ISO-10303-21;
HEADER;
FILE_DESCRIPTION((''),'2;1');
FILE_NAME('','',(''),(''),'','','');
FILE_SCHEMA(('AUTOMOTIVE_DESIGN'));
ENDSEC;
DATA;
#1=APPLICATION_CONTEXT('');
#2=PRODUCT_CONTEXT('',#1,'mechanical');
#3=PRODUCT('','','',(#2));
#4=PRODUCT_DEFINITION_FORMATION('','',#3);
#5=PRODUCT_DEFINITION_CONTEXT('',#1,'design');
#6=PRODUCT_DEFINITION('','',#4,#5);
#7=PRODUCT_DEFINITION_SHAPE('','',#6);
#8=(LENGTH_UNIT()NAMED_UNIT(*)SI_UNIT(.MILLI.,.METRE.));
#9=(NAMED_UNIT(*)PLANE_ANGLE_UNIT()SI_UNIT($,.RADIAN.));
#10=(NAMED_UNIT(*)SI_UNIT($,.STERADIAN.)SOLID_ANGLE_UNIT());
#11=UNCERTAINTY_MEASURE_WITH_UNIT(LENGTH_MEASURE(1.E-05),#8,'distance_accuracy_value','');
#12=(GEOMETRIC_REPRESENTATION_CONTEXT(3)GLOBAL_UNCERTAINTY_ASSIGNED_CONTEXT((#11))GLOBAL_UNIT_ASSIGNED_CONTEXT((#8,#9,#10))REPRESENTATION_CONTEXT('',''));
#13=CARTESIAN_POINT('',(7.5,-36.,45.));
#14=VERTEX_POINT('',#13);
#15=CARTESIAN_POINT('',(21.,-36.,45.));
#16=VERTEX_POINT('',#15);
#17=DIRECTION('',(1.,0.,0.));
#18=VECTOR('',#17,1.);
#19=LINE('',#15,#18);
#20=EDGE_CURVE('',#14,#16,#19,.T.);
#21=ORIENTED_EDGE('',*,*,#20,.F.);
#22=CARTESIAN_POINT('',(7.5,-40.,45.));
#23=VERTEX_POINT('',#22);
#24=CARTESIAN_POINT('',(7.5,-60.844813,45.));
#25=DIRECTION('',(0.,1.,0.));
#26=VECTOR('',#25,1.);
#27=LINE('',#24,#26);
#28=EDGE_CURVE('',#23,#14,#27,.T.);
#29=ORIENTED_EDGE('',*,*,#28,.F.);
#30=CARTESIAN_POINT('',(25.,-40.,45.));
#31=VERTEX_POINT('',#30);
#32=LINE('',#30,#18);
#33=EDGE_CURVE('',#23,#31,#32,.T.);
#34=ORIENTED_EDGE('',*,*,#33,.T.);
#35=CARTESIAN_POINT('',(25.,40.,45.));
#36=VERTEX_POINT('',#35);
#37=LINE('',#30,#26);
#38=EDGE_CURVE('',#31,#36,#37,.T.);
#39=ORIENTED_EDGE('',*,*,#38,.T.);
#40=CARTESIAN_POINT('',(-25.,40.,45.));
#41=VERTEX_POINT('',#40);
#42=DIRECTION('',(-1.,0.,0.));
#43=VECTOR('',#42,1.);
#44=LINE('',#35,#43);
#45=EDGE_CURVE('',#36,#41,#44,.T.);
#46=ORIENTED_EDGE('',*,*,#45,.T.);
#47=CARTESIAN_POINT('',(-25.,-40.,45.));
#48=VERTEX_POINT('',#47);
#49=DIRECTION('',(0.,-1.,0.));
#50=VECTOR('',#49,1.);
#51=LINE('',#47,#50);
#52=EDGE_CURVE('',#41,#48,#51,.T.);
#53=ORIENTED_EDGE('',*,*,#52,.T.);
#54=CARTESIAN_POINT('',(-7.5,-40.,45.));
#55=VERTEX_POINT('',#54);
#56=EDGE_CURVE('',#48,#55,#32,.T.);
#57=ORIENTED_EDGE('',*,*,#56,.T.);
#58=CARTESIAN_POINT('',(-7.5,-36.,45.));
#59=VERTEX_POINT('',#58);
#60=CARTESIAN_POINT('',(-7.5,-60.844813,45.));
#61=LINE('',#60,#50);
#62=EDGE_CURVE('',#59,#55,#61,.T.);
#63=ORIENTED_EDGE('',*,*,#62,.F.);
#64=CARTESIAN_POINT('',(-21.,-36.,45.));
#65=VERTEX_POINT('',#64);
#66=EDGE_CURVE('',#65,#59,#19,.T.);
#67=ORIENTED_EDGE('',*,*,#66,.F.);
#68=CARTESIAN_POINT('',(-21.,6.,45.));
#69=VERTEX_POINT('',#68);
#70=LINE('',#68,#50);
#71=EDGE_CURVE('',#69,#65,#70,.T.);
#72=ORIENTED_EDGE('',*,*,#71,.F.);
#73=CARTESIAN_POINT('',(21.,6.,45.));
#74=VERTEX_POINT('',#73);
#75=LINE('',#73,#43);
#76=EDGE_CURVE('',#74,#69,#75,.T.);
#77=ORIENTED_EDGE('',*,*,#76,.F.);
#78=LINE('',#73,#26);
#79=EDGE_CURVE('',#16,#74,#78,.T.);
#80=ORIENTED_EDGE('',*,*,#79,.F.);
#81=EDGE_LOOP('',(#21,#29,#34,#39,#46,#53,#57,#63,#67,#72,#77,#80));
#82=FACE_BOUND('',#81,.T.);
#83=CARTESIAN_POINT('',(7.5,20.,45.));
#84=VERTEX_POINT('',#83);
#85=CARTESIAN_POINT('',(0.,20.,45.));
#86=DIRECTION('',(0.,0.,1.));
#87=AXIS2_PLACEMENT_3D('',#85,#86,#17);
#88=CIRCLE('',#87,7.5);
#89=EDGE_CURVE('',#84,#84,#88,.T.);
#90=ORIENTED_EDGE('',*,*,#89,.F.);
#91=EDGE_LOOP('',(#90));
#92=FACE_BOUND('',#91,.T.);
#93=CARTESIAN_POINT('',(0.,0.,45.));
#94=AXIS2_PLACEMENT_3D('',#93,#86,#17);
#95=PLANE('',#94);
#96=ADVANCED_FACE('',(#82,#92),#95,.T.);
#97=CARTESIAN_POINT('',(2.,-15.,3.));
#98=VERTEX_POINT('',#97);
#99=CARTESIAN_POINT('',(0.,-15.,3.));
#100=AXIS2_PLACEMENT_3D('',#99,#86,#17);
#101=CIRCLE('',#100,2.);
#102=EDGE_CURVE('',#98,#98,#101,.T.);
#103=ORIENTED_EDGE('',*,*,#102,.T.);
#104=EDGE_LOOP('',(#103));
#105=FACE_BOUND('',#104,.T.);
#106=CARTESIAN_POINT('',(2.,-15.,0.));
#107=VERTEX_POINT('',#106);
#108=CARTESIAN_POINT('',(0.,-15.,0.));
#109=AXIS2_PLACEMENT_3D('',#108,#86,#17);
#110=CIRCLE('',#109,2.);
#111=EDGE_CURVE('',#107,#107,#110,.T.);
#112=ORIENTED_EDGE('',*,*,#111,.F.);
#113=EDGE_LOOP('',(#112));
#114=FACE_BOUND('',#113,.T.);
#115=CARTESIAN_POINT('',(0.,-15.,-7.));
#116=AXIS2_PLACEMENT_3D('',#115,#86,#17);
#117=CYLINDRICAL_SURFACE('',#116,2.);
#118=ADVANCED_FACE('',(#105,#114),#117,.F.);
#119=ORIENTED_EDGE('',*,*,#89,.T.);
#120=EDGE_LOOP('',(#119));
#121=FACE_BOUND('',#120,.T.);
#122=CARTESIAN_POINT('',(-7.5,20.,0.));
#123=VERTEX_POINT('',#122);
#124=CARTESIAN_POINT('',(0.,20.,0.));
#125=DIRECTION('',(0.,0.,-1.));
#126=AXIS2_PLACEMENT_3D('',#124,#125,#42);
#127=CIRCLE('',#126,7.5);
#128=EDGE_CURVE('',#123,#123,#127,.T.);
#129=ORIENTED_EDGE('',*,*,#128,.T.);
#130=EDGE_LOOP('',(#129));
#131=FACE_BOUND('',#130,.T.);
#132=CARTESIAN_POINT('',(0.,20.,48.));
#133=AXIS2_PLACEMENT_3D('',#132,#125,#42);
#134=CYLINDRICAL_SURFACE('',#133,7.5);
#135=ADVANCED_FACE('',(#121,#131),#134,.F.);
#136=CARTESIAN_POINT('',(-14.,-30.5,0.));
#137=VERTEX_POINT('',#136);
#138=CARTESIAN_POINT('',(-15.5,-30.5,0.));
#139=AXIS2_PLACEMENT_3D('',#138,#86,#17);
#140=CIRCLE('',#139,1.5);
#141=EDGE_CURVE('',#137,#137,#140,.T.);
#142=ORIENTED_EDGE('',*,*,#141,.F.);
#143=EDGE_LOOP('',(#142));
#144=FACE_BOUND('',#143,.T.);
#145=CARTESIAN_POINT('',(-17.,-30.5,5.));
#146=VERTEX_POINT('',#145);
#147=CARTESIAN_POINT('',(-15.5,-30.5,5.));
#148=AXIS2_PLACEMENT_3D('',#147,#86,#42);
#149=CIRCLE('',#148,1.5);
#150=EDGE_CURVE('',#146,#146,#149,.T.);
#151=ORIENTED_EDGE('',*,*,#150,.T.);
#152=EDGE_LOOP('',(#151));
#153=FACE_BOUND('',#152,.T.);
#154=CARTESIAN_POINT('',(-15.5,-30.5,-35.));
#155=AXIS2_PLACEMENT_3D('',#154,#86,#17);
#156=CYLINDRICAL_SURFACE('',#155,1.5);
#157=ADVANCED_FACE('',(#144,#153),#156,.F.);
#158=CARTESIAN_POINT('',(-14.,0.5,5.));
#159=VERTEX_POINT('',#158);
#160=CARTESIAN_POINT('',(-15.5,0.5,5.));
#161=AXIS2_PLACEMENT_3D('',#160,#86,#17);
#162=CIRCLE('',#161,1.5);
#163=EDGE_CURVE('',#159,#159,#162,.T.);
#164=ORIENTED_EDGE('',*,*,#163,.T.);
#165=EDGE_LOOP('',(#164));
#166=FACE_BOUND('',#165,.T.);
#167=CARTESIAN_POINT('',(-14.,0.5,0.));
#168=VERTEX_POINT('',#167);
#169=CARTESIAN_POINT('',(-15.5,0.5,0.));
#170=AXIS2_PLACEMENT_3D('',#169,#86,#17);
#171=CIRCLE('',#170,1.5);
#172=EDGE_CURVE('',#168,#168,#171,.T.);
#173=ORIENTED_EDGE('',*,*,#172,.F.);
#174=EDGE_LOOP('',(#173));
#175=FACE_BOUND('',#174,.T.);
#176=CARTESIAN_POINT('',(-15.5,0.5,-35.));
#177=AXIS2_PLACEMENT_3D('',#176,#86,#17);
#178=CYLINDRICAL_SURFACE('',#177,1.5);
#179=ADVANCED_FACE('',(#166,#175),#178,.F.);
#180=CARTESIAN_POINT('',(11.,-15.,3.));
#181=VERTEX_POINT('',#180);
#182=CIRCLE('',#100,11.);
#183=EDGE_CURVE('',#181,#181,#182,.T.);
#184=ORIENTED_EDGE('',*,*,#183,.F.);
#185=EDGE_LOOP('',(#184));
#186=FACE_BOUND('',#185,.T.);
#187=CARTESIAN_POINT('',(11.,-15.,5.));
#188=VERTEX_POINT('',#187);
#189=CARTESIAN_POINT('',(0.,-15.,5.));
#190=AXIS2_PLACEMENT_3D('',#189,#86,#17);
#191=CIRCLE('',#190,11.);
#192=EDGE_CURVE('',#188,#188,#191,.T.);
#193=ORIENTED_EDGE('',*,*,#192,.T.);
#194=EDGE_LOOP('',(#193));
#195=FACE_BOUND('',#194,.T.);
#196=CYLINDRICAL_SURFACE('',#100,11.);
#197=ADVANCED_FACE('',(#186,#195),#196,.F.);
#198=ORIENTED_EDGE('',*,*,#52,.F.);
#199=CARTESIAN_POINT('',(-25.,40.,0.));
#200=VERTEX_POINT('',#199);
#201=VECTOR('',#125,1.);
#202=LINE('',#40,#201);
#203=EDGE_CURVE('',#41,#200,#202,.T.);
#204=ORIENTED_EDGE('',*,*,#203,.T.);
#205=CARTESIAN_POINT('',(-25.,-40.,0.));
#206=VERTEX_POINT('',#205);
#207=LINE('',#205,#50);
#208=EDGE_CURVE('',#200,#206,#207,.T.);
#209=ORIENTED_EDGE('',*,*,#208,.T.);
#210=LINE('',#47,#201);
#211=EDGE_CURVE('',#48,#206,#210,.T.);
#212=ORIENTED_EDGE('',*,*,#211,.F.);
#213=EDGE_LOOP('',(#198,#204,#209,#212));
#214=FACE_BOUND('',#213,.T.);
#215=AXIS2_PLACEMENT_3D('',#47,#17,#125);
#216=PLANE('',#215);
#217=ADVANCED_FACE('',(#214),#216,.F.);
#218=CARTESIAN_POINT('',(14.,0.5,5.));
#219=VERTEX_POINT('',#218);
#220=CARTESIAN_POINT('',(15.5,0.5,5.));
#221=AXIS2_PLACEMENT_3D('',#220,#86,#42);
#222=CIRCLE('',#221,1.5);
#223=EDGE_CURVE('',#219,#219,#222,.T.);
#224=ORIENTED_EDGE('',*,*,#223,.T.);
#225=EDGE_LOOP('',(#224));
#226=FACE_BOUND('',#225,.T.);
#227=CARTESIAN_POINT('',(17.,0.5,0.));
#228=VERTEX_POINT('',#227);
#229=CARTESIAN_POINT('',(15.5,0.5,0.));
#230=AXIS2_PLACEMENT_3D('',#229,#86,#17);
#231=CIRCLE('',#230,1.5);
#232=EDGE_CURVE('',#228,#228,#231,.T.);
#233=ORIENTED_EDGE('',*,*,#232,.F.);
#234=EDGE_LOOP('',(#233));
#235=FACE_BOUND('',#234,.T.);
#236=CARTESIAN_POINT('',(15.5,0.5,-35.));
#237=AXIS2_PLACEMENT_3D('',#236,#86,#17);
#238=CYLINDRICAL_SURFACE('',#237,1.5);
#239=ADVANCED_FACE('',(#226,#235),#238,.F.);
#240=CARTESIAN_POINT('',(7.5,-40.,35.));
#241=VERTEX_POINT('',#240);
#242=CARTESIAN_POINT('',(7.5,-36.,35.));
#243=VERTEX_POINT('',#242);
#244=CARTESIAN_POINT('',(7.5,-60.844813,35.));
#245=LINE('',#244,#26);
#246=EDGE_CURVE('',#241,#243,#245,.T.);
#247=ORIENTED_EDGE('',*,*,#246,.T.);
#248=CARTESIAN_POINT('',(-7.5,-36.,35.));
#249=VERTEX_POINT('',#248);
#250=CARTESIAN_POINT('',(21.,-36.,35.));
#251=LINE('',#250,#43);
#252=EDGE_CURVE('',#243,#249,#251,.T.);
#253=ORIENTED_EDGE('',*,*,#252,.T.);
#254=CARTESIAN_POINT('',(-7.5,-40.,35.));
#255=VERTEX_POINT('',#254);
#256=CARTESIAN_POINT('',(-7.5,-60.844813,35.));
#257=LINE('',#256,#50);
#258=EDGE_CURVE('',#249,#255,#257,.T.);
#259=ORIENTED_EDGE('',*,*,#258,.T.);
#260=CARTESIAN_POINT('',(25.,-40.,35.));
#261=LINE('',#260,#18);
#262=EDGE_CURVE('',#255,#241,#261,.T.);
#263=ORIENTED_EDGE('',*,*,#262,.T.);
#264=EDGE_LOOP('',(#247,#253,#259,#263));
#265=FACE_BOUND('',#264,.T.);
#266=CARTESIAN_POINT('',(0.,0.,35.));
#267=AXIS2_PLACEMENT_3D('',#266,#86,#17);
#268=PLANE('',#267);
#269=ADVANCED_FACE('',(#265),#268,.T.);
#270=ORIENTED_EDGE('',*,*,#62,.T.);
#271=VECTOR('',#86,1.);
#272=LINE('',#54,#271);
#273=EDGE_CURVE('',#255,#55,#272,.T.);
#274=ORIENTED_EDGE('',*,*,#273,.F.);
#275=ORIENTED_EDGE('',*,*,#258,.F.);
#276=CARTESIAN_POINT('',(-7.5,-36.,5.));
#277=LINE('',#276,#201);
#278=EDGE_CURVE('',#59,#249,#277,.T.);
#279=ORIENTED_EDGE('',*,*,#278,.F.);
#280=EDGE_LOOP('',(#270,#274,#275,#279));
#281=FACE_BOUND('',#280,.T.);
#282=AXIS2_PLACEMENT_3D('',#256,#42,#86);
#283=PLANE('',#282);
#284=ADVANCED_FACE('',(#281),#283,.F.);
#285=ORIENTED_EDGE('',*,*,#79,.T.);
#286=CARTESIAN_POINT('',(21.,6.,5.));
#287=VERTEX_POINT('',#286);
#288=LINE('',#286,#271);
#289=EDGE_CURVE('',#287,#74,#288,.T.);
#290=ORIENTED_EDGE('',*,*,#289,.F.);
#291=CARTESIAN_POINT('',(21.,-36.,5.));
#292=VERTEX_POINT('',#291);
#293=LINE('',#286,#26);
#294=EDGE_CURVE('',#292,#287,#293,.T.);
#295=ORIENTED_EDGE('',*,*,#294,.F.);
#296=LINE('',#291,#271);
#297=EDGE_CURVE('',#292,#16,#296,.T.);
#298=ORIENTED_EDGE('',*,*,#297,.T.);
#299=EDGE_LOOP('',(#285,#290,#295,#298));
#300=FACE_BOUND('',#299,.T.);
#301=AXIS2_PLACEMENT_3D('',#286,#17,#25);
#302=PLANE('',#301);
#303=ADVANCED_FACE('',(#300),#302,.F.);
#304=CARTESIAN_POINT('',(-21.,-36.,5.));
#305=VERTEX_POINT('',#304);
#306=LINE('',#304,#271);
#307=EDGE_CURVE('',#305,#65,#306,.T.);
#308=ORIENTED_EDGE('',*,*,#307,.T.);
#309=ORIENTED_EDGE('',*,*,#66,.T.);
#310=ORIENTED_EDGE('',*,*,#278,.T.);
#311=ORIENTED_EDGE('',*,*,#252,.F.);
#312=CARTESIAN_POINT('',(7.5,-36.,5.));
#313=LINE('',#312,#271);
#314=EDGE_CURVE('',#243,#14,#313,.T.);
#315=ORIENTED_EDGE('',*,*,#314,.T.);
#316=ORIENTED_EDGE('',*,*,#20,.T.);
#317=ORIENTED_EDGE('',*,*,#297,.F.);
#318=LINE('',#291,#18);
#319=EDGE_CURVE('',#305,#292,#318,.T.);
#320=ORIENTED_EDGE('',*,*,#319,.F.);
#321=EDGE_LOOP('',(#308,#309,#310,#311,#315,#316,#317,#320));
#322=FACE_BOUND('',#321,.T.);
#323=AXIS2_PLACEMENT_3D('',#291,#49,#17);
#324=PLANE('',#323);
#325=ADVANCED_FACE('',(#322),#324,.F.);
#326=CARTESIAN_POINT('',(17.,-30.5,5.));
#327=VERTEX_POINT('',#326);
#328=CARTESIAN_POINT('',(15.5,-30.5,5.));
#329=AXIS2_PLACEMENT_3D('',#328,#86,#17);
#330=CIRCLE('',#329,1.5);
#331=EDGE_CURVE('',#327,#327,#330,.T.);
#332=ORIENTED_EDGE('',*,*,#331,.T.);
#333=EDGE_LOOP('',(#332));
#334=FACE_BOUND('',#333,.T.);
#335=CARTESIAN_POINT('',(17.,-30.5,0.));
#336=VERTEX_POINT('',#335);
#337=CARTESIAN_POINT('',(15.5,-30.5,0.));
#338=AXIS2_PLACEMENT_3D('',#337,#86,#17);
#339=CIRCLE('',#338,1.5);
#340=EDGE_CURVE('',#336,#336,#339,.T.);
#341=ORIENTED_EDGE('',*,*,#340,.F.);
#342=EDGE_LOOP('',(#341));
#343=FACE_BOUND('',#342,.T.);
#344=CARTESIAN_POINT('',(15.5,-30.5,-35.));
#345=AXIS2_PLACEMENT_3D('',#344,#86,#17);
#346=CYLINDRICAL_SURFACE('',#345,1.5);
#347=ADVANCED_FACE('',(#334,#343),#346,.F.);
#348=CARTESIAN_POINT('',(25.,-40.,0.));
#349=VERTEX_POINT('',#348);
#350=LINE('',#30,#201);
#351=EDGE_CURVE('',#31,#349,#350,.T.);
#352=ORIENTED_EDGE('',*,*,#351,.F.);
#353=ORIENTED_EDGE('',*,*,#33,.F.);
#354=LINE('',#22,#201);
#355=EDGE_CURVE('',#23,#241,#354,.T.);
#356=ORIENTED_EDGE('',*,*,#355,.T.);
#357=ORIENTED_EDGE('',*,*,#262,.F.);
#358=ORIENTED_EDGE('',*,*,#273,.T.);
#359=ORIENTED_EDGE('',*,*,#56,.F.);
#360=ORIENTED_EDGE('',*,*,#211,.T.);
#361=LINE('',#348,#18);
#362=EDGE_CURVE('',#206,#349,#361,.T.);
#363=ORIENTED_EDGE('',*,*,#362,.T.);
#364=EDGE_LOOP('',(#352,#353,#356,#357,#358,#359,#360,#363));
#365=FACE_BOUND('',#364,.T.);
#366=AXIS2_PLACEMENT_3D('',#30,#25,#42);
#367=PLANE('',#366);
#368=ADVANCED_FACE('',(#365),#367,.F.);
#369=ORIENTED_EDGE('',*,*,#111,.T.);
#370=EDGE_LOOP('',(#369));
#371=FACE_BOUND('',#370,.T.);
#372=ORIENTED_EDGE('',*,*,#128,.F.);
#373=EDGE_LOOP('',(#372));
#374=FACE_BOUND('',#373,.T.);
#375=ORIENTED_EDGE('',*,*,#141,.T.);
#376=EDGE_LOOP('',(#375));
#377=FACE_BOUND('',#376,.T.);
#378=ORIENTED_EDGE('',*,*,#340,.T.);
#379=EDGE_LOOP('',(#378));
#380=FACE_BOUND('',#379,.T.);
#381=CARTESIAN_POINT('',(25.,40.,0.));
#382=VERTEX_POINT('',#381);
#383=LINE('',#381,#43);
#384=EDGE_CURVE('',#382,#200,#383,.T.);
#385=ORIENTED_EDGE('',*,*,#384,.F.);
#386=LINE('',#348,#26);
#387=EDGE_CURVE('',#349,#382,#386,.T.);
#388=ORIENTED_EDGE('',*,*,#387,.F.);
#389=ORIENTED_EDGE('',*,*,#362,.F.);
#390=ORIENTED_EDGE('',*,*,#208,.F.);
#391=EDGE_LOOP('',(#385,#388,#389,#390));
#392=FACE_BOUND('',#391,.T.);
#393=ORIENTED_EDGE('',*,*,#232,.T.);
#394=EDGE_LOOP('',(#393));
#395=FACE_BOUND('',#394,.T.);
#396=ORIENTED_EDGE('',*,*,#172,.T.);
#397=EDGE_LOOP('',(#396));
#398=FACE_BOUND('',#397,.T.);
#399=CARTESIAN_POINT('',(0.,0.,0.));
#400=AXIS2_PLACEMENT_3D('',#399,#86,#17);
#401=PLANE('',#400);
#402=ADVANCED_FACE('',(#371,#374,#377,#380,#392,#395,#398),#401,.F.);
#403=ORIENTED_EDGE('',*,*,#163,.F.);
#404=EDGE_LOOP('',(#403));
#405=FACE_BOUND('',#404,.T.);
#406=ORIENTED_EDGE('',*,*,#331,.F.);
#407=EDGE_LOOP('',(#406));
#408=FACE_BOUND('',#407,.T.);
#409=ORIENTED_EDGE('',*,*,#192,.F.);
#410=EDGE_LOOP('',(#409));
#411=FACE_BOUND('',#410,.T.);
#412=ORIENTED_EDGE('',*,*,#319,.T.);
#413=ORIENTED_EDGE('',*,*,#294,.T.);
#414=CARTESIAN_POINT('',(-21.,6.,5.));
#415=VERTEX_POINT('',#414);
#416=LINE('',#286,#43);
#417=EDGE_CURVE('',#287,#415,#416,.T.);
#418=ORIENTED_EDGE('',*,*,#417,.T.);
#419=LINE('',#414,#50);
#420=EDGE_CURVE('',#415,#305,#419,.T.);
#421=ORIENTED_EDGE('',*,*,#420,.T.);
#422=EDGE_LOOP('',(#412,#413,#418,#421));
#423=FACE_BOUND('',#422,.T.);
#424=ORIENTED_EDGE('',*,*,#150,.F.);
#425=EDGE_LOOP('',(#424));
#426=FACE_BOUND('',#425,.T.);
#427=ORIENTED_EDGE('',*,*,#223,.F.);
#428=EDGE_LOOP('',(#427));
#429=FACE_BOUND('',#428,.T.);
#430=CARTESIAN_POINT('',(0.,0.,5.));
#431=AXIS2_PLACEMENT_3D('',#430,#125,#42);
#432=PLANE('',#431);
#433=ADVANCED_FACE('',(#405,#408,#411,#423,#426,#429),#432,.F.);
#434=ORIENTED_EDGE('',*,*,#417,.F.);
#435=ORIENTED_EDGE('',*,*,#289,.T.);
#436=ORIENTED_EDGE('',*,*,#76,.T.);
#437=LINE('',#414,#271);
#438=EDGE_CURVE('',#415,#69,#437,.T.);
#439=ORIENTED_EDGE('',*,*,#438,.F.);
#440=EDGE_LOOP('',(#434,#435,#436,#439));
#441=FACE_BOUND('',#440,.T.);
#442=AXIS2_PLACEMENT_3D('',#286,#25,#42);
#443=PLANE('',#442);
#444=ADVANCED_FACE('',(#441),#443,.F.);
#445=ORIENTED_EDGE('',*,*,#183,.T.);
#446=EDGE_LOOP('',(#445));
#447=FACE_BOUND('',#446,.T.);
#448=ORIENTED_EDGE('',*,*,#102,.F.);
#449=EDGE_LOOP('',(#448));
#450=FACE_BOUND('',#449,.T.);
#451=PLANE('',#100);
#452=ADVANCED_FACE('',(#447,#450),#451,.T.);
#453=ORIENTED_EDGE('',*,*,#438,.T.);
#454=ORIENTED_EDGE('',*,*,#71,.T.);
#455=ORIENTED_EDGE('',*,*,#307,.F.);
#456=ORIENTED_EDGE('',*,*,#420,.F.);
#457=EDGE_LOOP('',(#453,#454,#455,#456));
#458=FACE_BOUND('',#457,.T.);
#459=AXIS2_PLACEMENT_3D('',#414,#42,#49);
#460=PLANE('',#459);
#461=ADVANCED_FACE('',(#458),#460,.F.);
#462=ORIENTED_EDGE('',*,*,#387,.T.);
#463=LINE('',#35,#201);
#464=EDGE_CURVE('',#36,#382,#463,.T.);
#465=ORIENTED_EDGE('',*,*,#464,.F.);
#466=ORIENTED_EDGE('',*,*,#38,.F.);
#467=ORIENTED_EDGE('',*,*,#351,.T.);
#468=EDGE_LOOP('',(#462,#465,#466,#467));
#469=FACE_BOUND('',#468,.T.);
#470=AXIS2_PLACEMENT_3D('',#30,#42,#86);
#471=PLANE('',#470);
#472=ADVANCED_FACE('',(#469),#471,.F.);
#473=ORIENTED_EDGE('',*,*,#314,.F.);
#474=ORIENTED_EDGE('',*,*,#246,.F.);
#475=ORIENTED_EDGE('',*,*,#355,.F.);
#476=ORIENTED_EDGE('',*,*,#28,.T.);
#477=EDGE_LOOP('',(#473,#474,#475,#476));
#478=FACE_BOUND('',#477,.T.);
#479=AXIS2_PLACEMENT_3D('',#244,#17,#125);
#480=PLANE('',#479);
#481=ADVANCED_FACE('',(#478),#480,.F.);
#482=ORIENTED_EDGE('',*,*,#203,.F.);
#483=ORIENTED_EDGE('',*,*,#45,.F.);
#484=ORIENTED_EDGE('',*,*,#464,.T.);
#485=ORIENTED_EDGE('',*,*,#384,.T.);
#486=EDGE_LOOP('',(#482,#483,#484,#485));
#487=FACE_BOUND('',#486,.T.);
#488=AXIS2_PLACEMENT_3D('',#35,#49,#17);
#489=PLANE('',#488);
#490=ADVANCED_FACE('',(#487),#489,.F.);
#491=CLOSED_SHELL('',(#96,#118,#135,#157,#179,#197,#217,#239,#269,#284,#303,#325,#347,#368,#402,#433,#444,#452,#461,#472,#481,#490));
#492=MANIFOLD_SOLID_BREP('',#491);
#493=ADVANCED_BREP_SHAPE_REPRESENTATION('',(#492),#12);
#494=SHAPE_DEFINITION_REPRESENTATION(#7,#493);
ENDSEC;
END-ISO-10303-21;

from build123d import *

# Parameters (mm, degrees)
SKETCH1_W           = 50
SKETCH1_H           = 80
BOSS_EXTRUDE1_DEPTH = 45
SKETCH5_W           = 42
SKETCH5_H           = 42
CUT_EXTRUDE1_DEPTH  = 40
SKETCH6_R           = 1.5
CUT_EXTRUDE2_DEPTH  = 40
SKETCH7_W           = 15
SKETCH7_H           = 41.689626702
CUT_EXTRUDE3_DEPTH  = 10
SKETCH8_R           = 11
CUT_EXTRUDE4_DEPTH  = 2
SKETCH9_R           = 2
CUT_EXTRUDE5_DEPTH  = 10
SKETCH2_R           = 2.5
CUT_EXTRUDE6_DEPTH  = 10
SKETCH10_R          = 7.5
CUT_EXTRUDE7_DEPTH  = 48


with BuildPart() as part:
    # Sketch1 → Boss-Extrude1 (new body)
    with BuildSketch(Plane.XY):
        Rectangle(SKETCH1_W, SKETCH1_H)
    extrude(amount=BOSS_EXTRUDE1_DEPTH)

    # Sketch5 → Cut-Extrude1 (cut)
    with BuildSketch(Plane.XY.offset(45)):
        with Locations((0, -15)):
            Rectangle(SKETCH5_W, SKETCH5_H)
    extrude(amount=-CUT_EXTRUDE1_DEPTH, mode=Mode.SUBTRACT)

    # Sketch6 → Cut-Extrude2 (cut)
    with BuildSketch(Plane.XY.offset(5)):
        with Locations((15.5, -30.5)):
            Circle(SKETCH6_R)
        with Locations((15.5, 0.5)):
            Circle(SKETCH6_R)
        with Locations((-15.5, -30.5)):
            Circle(SKETCH6_R)
        with Locations((-15.5, 0.5)):
            Circle(SKETCH6_R)
    extrude(amount=-CUT_EXTRUDE2_DEPTH, mode=Mode.SUBTRACT)

    # Sketch7 → Cut-Extrude3 (cut)
    with BuildSketch(Plane.XY.offset(45)):
        with Locations((0, -40)):
            Rectangle(SKETCH7_W, SKETCH7_H)
    extrude(amount=-CUT_EXTRUDE3_DEPTH, mode=Mode.SUBTRACT)

    # Sketch8 → Cut-Extrude4 (cut)
    with BuildSketch(Plane.XY.offset(5)):
        with Locations((0, -15)):
            Circle(SKETCH8_R)
    extrude(amount=-CUT_EXTRUDE4_DEPTH, mode=Mode.SUBTRACT)

    # Sketch9 → Cut-Extrude5 (cut)
    with BuildSketch(Plane.XY.offset(3)):
        with Locations((0, -15)):
            Circle(SKETCH9_R)
    extrude(amount=-CUT_EXTRUDE5_DEPTH, mode=Mode.SUBTRACT)

    # Sketch2 → Cut-Extrude6 (cut)
    with BuildSketch(Plane(origin=(0, 0, 0), x_dir=(-1, 0, 0), z_dir=(0, 0, -1))):
        with Locations((0, 20)):
            Circle(SKETCH2_R)
    extrude(amount=-CUT_EXTRUDE6_DEPTH, mode=Mode.SUBTRACT)

    # Sketch10 → Cut-Extrude7 (cut)
    with BuildSketch(Plane(origin=(0, 0, 0), x_dir=(-1, 0, 0), z_dir=(0, 0, -1))):
        with Locations((0, 20)):
            Circle(SKETCH10_R)
    extrude(amount=-CUT_EXTRUDE7_DEPTH, mode=Mode.SUBTRACT)


solid = part.part
